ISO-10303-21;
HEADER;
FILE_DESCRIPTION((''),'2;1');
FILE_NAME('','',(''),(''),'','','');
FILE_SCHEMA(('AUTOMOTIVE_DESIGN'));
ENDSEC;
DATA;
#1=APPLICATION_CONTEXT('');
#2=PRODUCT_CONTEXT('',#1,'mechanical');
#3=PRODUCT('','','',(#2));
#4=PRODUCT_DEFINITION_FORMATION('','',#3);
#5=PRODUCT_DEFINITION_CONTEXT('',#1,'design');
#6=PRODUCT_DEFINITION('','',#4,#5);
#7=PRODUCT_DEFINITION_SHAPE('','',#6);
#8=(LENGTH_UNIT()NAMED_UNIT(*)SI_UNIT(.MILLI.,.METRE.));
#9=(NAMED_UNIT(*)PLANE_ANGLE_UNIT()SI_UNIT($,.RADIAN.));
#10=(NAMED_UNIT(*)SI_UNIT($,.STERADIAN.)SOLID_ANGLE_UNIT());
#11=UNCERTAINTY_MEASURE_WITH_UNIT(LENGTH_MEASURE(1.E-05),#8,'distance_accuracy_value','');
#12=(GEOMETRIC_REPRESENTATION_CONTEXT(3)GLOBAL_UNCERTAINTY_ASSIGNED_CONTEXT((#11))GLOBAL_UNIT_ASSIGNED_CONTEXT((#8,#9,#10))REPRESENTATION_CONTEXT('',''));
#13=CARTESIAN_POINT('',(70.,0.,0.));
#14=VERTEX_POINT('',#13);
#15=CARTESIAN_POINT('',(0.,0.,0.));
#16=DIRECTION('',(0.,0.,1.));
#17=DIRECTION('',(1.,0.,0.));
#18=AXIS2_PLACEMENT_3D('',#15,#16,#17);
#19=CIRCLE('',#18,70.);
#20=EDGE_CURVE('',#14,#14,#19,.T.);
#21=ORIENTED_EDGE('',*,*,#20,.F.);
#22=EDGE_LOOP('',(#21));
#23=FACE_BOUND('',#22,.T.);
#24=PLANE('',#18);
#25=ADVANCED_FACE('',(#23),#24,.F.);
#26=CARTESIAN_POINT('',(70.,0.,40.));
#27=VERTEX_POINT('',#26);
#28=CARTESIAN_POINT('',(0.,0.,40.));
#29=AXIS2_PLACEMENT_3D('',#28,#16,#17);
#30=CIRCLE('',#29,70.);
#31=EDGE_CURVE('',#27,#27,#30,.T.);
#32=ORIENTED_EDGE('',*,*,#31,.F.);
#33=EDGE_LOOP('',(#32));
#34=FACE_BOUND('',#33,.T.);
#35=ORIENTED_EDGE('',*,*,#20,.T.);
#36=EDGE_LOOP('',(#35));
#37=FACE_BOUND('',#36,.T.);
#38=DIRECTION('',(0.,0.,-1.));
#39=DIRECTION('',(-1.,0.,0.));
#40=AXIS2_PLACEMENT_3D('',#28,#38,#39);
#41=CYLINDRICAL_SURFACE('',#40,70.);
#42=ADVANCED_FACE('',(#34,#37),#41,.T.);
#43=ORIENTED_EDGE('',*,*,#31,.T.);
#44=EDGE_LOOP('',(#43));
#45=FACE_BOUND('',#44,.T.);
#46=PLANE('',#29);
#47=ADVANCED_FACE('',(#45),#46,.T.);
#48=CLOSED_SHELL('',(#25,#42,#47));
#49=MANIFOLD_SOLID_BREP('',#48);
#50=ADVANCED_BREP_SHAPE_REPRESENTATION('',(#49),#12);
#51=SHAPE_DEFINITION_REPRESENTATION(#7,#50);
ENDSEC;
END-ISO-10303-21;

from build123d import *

# Parameters (mm, degrees)
SKETCH_1_R      = 70
EXTRUDE_1_DEPTH = 40


with BuildPart() as part:
    # 草图1 → 凸台-拉伸1 (new body)
    with BuildSketch(Plane.XY):
        Circle(SKETCH_1_R)
    extrude(amount=EXTRUDE_1_DEPTH)


solid = part.part
